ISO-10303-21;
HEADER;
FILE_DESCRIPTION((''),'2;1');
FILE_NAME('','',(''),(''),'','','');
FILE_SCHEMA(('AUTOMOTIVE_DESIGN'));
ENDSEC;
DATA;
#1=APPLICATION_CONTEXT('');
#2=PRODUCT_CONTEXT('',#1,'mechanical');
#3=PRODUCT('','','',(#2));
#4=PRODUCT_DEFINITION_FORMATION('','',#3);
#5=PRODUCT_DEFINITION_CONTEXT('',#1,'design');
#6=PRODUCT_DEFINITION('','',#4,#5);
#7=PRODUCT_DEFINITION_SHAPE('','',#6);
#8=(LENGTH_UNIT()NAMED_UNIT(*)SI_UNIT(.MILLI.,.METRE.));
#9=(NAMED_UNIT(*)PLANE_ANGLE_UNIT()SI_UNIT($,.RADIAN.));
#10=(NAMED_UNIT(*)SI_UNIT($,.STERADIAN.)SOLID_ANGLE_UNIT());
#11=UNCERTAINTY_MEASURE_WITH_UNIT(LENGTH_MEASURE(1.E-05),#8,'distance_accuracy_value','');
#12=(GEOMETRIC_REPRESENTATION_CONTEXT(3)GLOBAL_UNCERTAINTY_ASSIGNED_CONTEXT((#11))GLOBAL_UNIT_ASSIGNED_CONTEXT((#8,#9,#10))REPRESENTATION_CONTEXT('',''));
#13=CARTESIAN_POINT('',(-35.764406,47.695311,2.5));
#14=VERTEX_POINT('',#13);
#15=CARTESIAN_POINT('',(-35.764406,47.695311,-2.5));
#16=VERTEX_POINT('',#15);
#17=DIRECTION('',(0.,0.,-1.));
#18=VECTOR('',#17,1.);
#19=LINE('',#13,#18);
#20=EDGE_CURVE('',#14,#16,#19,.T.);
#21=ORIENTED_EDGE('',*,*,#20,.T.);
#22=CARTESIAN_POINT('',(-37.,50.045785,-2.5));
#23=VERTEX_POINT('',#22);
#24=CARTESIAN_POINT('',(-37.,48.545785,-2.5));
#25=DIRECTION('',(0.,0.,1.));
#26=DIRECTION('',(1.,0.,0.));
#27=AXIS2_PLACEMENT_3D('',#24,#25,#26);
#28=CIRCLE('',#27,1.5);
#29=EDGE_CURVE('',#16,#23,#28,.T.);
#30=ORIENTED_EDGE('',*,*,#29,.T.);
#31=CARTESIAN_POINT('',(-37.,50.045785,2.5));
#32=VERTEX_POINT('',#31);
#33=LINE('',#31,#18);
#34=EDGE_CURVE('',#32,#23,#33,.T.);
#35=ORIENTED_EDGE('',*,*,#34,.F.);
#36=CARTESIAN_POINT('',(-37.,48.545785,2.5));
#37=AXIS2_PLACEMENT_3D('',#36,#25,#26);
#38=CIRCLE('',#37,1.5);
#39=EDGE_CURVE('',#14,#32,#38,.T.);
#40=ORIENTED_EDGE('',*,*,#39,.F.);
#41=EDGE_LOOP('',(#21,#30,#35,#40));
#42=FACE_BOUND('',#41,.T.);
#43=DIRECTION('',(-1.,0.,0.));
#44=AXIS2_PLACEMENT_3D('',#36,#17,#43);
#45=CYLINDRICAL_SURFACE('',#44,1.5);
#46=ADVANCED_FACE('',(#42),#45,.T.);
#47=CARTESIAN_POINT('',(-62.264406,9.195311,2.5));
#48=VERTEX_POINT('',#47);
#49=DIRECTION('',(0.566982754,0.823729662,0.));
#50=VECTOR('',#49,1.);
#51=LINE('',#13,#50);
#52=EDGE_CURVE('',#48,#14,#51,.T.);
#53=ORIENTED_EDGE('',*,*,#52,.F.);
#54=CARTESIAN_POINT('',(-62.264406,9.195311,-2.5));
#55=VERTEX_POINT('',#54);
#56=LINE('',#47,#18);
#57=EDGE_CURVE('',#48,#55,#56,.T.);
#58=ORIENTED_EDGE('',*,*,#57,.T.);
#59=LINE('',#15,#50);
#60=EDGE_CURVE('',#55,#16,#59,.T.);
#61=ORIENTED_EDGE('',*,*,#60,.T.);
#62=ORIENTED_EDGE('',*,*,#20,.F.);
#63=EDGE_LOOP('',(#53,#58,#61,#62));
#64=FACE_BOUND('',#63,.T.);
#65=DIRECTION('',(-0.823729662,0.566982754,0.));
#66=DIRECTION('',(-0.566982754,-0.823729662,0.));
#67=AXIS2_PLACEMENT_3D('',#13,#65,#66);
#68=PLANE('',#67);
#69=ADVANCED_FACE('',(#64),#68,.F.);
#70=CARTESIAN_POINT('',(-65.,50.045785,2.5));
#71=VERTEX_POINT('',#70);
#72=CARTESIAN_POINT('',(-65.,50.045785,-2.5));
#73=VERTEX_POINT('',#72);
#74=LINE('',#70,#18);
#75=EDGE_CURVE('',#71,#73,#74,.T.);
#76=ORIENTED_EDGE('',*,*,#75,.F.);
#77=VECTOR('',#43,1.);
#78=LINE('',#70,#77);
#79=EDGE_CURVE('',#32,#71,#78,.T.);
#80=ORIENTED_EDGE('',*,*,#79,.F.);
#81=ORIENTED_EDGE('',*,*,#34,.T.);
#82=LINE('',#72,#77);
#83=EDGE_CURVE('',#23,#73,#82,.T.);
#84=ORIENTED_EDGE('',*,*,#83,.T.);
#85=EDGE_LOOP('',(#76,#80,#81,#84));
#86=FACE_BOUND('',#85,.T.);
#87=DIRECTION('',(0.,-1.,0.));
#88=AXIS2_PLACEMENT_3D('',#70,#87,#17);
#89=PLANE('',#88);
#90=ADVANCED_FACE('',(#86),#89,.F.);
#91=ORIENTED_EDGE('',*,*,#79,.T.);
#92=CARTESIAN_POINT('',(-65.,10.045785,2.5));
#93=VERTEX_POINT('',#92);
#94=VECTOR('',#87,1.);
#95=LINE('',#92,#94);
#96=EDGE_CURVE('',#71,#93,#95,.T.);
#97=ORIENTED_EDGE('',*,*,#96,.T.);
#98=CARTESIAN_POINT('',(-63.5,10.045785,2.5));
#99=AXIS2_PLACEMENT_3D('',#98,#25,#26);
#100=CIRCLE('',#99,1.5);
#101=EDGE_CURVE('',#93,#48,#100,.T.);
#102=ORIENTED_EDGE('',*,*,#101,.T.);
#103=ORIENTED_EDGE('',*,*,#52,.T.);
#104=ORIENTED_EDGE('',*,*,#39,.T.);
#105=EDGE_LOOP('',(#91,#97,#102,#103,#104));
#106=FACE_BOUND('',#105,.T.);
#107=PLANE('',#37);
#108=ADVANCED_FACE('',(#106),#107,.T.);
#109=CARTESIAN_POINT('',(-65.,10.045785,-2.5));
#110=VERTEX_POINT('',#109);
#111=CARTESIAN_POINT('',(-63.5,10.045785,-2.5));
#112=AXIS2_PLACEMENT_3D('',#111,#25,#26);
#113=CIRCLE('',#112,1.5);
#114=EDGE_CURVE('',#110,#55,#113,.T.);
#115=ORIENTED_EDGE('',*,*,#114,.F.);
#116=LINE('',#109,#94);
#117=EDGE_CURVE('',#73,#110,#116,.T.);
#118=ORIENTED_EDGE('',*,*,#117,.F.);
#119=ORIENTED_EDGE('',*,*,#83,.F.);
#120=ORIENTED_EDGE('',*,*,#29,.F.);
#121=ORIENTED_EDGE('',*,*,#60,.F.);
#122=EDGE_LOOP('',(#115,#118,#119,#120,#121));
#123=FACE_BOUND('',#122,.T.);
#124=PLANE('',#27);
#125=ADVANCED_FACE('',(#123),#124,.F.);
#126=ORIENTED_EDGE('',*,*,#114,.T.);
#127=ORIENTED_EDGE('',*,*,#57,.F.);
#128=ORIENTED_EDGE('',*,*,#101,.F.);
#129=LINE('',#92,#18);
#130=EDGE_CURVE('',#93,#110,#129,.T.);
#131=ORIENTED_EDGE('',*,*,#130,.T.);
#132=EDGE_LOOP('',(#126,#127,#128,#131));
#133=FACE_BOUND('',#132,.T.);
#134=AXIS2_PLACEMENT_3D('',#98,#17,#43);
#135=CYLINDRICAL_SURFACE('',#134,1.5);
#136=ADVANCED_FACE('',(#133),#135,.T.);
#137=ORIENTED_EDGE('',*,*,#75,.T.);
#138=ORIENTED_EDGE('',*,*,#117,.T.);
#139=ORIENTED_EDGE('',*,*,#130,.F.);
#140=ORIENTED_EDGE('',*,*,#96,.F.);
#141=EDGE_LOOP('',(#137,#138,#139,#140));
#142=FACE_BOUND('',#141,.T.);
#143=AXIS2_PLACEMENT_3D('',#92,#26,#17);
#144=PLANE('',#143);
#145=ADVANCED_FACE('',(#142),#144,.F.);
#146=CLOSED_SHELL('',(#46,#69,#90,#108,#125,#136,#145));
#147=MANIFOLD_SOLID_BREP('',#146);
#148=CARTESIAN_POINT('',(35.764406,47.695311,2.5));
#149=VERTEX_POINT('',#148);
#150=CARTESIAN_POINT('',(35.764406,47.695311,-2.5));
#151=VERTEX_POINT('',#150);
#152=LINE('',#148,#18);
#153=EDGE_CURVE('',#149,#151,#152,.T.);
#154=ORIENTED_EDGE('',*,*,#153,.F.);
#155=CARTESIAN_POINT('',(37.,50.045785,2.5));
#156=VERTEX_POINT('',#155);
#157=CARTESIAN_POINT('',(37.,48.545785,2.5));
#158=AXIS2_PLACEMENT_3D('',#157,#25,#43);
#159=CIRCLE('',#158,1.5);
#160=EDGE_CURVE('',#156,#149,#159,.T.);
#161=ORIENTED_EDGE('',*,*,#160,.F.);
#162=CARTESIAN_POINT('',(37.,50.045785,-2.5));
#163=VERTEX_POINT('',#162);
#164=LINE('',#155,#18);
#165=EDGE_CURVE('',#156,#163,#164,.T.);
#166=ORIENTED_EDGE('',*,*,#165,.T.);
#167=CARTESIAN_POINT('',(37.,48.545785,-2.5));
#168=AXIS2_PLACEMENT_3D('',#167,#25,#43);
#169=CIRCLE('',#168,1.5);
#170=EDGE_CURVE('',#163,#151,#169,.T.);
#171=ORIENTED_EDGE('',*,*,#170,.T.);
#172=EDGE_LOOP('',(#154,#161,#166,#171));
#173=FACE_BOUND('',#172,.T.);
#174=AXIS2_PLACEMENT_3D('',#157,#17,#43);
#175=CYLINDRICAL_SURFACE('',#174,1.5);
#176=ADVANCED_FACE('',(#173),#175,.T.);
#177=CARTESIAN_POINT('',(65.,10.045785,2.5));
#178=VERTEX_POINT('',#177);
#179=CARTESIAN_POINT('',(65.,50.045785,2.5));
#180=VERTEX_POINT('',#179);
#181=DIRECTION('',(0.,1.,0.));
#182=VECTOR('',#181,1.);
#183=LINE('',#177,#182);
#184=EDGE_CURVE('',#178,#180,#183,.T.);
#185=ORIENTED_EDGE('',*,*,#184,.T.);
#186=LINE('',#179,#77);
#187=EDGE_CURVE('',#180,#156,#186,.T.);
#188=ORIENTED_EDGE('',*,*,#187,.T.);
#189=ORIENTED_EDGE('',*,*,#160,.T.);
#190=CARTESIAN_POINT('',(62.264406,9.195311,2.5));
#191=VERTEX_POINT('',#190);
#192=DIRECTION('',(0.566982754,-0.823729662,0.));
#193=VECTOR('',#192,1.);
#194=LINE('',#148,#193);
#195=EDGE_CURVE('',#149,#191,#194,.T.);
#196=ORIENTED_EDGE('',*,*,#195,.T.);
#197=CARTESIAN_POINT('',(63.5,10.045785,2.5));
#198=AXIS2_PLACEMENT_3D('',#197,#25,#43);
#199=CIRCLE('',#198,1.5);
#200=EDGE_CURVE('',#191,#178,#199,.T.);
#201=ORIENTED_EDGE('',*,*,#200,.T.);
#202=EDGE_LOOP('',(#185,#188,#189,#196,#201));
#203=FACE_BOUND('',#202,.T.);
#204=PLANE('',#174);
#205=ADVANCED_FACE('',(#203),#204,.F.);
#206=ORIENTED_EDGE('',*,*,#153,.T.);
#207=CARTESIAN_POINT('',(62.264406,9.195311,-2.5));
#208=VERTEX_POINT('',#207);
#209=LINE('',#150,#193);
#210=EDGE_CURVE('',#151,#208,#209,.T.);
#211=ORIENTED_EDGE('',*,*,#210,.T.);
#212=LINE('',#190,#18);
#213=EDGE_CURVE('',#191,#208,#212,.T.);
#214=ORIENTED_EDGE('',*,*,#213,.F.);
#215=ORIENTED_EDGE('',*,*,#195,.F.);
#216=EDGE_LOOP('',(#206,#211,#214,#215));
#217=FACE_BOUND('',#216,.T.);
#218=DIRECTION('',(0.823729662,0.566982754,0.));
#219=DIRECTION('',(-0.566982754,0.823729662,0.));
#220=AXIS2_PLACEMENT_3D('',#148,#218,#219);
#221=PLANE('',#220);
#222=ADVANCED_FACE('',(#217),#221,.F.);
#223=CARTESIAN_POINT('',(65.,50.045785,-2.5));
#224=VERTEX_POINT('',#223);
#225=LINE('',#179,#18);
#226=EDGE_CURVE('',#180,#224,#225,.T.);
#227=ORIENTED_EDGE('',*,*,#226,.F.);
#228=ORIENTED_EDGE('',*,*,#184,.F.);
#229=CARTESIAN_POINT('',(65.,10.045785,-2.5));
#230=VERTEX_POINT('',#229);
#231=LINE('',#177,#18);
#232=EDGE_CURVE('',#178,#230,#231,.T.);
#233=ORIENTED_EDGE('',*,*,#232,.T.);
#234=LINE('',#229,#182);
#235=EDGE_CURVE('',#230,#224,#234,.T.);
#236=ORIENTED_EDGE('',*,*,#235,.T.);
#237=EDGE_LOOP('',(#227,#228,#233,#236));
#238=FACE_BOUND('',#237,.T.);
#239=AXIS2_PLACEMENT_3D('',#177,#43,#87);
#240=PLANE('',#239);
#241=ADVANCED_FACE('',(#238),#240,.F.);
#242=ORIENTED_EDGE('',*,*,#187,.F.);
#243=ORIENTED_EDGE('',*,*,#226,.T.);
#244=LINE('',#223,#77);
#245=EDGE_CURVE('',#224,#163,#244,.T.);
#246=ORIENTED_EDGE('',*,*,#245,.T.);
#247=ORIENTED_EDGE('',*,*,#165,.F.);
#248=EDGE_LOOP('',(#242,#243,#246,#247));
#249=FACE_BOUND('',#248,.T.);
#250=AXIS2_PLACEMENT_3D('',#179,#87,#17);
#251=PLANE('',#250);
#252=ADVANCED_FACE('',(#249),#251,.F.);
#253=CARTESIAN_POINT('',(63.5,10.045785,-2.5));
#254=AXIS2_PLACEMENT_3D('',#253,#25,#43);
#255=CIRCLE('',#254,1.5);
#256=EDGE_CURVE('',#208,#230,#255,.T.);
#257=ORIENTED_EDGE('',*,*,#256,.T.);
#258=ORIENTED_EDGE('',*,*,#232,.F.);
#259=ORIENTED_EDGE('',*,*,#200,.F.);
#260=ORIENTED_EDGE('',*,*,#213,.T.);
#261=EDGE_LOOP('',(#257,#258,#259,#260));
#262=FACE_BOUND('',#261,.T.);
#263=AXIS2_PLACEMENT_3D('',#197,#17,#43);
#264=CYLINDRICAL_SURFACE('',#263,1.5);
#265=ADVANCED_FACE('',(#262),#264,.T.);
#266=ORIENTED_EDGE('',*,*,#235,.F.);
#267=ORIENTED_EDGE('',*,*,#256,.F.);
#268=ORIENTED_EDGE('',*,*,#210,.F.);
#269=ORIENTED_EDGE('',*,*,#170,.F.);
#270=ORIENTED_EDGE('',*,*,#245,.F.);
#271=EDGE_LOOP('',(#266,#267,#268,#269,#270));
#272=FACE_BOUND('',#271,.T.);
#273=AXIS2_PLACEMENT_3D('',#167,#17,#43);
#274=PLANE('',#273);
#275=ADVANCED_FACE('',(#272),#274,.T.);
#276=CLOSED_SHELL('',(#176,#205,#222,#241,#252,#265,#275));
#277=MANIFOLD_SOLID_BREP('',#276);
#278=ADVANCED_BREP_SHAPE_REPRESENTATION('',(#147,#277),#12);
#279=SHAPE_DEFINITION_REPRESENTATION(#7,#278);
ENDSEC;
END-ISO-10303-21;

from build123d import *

# Parameters (mm, degrees)
EXTRUDE_1_DEPTH   = 2.5
EXTRUDE_1_2_DEPTH = 2.5


with BuildPart() as part:
    # 스케치1 → 보스-돌출1 (new body, symmetric)
    with BuildSketch(Plane.XY):
        with BuildLine():
            Line((-65, 10.045785441), (-65, 50.045785441))
            Line((-65, 50.045785441), (-37, 50.045785441))
            ThreePointArc((-37, 50.045785441), (-35.672274276, 49.243742747), (-35.764405507, 47.695311309))
            Line((-35.764405507, 47.695311309), (-62.264405507, 9.195311309))
            ThreePointArc((-62.264405507, 9.195311309), (-63.945313519, 8.613411233), (-65, 10.045785441))
        make_face()
    extrude(amount=EXTRUDE_1_DEPTH, both=True)


with BuildPart() as body_2:
    # 스케치1 → Extrude 1 2 (new body, symmetric)
    with BuildSketch(Plane.XY):
        with BuildLine():
            Line((65, 50.045785441), (37, 50.045785441))
            ThreePointArc((37, 50.045785441), (35.672274276, 49.243742747), (35.764405507, 47.695311309))
            Line((35.764405507, 47.695311309), (62.264405507, 9.195311309))
            ThreePointArc((62.264405507, 9.195311309), (63.945313519, 8.613411233), (65, 10.045785441))
            Line((65, 10.045785441), (65, 50.045785441))
        make_face()
    extrude(amount=EXTRUDE_1_2_DEPTH, both=True)


solid = Compound([part.part, body_2.part])
